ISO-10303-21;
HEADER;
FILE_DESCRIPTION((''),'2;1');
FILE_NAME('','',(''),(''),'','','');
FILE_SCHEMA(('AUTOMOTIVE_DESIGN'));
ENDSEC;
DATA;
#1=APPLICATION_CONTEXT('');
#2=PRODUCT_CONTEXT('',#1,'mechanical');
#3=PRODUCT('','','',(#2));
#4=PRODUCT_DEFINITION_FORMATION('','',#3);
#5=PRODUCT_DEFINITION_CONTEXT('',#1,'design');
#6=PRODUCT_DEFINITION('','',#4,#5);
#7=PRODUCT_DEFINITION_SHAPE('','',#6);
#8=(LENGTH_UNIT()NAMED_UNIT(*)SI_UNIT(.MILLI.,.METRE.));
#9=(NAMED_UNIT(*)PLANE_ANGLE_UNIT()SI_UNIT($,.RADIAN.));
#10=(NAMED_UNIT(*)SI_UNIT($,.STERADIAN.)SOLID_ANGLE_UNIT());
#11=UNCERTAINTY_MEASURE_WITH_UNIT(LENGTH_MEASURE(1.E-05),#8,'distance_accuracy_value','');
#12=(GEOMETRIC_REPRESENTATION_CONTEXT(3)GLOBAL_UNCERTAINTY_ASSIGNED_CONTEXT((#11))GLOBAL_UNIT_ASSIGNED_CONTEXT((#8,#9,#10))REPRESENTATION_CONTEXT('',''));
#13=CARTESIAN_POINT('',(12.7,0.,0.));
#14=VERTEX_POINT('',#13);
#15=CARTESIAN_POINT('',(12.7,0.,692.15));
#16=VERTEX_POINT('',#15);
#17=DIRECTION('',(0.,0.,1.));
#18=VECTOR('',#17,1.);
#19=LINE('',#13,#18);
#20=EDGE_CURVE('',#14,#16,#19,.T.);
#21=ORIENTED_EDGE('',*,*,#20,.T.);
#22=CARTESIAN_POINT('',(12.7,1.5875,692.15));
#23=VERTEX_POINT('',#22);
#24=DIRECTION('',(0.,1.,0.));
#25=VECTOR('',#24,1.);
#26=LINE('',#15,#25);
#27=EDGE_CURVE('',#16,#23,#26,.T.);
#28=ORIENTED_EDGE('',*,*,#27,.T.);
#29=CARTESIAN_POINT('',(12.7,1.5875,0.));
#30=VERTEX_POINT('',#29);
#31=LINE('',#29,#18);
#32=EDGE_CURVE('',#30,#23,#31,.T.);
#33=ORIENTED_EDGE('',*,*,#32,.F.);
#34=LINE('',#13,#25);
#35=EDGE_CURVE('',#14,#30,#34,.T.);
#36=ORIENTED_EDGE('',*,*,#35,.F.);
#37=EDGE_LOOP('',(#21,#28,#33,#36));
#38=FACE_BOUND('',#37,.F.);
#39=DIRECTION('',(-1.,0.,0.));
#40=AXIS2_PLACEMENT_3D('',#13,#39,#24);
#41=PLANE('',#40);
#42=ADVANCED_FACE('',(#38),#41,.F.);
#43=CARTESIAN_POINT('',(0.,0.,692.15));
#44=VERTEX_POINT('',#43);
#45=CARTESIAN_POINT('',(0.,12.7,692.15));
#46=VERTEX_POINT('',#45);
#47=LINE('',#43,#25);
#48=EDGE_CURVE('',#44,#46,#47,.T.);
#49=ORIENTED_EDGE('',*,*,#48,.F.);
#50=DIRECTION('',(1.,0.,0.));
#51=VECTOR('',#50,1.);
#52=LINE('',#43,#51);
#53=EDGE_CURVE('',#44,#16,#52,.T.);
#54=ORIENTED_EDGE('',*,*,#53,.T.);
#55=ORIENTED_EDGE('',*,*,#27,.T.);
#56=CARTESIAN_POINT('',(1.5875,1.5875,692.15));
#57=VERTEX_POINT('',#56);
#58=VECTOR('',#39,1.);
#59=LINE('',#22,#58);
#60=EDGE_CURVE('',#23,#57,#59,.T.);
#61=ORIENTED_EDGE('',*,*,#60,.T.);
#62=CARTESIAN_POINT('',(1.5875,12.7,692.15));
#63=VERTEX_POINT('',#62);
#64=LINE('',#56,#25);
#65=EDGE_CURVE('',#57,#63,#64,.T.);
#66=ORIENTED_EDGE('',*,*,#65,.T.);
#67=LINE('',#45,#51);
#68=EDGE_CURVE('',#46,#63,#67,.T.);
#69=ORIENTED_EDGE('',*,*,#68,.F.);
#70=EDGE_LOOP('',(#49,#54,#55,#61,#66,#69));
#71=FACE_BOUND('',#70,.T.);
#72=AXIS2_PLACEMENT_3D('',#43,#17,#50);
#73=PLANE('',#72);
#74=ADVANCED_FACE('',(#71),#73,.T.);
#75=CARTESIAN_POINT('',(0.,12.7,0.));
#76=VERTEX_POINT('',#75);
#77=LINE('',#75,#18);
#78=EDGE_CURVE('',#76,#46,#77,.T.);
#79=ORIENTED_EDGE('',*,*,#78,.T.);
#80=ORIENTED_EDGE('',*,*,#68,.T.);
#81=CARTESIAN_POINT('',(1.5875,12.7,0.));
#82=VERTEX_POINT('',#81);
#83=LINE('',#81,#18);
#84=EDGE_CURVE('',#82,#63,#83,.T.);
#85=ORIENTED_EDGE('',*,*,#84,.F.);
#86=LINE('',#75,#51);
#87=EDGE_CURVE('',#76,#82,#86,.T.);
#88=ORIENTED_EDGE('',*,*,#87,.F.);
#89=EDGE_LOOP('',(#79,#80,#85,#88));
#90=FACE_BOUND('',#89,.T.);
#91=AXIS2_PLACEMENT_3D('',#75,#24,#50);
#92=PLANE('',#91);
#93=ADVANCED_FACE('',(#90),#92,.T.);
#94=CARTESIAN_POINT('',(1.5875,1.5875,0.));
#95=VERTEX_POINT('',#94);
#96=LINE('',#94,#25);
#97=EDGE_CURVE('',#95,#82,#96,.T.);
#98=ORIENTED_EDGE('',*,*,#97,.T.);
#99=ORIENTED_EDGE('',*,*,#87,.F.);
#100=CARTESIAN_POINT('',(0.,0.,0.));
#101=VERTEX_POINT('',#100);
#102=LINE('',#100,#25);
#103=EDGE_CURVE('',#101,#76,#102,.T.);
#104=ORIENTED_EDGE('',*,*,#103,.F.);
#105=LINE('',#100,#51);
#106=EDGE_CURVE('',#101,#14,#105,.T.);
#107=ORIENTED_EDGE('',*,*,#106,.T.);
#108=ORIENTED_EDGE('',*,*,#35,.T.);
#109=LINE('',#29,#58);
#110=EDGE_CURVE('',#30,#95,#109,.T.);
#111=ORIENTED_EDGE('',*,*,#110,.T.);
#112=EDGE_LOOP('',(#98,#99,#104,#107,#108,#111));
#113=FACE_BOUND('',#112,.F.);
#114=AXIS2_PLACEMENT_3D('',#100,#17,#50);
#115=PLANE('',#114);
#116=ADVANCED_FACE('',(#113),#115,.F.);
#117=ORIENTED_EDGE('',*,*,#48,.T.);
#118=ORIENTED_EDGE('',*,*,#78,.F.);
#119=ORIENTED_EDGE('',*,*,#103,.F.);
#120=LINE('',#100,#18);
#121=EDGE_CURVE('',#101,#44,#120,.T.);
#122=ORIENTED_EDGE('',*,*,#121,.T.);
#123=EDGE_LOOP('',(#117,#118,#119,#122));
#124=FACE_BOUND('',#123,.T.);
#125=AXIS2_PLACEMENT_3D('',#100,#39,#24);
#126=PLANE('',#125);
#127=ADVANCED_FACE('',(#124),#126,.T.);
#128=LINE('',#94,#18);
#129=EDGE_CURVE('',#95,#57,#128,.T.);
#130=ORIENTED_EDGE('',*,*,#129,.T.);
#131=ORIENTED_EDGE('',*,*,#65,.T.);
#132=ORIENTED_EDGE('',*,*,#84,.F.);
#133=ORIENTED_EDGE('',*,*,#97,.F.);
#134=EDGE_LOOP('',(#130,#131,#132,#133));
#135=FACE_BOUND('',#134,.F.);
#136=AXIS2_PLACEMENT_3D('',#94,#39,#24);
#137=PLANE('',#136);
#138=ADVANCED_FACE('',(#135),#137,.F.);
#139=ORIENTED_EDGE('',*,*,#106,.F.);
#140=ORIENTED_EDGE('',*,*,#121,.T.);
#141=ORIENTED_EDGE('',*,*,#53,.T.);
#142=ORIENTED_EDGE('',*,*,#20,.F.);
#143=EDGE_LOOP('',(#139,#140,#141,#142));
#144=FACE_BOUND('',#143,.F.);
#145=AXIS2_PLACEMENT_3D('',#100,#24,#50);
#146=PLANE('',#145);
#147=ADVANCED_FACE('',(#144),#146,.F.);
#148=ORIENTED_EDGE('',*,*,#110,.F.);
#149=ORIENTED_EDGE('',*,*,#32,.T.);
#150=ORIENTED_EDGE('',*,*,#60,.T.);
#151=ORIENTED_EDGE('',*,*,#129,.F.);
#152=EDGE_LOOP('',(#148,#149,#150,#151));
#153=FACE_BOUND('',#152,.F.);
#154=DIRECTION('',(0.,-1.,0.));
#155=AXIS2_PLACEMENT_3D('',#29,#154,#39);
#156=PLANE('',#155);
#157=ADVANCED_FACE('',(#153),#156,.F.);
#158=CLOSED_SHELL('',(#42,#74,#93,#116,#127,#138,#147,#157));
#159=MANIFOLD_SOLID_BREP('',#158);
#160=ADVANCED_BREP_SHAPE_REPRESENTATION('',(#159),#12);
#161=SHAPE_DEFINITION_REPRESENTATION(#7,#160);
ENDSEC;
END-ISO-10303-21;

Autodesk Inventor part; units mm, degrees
ref_plane "YZ Plane" through (0, 0, 0) normal (1, 0, 0) x (0, 1, 0)
ref_plane "XZ Plane" through (0, 0, 0) normal (0, 1, 0) x (-1, 0, 0)
ref_plane "XY Plane" through (0, 0, 0) normal (0, 0, 1) x (1, 0, 0)
sketch "Sketch1" plane through (0, 0, 0) normal (0, 0, 1) x (1, 0, 0)
  line L0 (0, 0) -> (0, 12.7)
  line L1 (0, 12.7) -> (1.5875, 12.7)
  line L2 (0, 0) -> (12.7, 0)
  line L3 (12.7, 0) -> (12.7, 1.5875)
  line L4 (12.7, 1.5875) -> (1.5875, 1.5875)
  line L5 (1.5875, 1.5875) -> (1.5875, 12.7)
  dimension "d0" = 12.7
  dimension "d1" = 1.5875
  dimension "d2" = 12.7
  dimension "d3" = 1.5875
extrude "Extrusion1" add sketch "Sketch1" along normal blind 692.15
properties part number "Bumper Metal Edge Part2 (26x28 robot)" material "Aluminum 6061"
